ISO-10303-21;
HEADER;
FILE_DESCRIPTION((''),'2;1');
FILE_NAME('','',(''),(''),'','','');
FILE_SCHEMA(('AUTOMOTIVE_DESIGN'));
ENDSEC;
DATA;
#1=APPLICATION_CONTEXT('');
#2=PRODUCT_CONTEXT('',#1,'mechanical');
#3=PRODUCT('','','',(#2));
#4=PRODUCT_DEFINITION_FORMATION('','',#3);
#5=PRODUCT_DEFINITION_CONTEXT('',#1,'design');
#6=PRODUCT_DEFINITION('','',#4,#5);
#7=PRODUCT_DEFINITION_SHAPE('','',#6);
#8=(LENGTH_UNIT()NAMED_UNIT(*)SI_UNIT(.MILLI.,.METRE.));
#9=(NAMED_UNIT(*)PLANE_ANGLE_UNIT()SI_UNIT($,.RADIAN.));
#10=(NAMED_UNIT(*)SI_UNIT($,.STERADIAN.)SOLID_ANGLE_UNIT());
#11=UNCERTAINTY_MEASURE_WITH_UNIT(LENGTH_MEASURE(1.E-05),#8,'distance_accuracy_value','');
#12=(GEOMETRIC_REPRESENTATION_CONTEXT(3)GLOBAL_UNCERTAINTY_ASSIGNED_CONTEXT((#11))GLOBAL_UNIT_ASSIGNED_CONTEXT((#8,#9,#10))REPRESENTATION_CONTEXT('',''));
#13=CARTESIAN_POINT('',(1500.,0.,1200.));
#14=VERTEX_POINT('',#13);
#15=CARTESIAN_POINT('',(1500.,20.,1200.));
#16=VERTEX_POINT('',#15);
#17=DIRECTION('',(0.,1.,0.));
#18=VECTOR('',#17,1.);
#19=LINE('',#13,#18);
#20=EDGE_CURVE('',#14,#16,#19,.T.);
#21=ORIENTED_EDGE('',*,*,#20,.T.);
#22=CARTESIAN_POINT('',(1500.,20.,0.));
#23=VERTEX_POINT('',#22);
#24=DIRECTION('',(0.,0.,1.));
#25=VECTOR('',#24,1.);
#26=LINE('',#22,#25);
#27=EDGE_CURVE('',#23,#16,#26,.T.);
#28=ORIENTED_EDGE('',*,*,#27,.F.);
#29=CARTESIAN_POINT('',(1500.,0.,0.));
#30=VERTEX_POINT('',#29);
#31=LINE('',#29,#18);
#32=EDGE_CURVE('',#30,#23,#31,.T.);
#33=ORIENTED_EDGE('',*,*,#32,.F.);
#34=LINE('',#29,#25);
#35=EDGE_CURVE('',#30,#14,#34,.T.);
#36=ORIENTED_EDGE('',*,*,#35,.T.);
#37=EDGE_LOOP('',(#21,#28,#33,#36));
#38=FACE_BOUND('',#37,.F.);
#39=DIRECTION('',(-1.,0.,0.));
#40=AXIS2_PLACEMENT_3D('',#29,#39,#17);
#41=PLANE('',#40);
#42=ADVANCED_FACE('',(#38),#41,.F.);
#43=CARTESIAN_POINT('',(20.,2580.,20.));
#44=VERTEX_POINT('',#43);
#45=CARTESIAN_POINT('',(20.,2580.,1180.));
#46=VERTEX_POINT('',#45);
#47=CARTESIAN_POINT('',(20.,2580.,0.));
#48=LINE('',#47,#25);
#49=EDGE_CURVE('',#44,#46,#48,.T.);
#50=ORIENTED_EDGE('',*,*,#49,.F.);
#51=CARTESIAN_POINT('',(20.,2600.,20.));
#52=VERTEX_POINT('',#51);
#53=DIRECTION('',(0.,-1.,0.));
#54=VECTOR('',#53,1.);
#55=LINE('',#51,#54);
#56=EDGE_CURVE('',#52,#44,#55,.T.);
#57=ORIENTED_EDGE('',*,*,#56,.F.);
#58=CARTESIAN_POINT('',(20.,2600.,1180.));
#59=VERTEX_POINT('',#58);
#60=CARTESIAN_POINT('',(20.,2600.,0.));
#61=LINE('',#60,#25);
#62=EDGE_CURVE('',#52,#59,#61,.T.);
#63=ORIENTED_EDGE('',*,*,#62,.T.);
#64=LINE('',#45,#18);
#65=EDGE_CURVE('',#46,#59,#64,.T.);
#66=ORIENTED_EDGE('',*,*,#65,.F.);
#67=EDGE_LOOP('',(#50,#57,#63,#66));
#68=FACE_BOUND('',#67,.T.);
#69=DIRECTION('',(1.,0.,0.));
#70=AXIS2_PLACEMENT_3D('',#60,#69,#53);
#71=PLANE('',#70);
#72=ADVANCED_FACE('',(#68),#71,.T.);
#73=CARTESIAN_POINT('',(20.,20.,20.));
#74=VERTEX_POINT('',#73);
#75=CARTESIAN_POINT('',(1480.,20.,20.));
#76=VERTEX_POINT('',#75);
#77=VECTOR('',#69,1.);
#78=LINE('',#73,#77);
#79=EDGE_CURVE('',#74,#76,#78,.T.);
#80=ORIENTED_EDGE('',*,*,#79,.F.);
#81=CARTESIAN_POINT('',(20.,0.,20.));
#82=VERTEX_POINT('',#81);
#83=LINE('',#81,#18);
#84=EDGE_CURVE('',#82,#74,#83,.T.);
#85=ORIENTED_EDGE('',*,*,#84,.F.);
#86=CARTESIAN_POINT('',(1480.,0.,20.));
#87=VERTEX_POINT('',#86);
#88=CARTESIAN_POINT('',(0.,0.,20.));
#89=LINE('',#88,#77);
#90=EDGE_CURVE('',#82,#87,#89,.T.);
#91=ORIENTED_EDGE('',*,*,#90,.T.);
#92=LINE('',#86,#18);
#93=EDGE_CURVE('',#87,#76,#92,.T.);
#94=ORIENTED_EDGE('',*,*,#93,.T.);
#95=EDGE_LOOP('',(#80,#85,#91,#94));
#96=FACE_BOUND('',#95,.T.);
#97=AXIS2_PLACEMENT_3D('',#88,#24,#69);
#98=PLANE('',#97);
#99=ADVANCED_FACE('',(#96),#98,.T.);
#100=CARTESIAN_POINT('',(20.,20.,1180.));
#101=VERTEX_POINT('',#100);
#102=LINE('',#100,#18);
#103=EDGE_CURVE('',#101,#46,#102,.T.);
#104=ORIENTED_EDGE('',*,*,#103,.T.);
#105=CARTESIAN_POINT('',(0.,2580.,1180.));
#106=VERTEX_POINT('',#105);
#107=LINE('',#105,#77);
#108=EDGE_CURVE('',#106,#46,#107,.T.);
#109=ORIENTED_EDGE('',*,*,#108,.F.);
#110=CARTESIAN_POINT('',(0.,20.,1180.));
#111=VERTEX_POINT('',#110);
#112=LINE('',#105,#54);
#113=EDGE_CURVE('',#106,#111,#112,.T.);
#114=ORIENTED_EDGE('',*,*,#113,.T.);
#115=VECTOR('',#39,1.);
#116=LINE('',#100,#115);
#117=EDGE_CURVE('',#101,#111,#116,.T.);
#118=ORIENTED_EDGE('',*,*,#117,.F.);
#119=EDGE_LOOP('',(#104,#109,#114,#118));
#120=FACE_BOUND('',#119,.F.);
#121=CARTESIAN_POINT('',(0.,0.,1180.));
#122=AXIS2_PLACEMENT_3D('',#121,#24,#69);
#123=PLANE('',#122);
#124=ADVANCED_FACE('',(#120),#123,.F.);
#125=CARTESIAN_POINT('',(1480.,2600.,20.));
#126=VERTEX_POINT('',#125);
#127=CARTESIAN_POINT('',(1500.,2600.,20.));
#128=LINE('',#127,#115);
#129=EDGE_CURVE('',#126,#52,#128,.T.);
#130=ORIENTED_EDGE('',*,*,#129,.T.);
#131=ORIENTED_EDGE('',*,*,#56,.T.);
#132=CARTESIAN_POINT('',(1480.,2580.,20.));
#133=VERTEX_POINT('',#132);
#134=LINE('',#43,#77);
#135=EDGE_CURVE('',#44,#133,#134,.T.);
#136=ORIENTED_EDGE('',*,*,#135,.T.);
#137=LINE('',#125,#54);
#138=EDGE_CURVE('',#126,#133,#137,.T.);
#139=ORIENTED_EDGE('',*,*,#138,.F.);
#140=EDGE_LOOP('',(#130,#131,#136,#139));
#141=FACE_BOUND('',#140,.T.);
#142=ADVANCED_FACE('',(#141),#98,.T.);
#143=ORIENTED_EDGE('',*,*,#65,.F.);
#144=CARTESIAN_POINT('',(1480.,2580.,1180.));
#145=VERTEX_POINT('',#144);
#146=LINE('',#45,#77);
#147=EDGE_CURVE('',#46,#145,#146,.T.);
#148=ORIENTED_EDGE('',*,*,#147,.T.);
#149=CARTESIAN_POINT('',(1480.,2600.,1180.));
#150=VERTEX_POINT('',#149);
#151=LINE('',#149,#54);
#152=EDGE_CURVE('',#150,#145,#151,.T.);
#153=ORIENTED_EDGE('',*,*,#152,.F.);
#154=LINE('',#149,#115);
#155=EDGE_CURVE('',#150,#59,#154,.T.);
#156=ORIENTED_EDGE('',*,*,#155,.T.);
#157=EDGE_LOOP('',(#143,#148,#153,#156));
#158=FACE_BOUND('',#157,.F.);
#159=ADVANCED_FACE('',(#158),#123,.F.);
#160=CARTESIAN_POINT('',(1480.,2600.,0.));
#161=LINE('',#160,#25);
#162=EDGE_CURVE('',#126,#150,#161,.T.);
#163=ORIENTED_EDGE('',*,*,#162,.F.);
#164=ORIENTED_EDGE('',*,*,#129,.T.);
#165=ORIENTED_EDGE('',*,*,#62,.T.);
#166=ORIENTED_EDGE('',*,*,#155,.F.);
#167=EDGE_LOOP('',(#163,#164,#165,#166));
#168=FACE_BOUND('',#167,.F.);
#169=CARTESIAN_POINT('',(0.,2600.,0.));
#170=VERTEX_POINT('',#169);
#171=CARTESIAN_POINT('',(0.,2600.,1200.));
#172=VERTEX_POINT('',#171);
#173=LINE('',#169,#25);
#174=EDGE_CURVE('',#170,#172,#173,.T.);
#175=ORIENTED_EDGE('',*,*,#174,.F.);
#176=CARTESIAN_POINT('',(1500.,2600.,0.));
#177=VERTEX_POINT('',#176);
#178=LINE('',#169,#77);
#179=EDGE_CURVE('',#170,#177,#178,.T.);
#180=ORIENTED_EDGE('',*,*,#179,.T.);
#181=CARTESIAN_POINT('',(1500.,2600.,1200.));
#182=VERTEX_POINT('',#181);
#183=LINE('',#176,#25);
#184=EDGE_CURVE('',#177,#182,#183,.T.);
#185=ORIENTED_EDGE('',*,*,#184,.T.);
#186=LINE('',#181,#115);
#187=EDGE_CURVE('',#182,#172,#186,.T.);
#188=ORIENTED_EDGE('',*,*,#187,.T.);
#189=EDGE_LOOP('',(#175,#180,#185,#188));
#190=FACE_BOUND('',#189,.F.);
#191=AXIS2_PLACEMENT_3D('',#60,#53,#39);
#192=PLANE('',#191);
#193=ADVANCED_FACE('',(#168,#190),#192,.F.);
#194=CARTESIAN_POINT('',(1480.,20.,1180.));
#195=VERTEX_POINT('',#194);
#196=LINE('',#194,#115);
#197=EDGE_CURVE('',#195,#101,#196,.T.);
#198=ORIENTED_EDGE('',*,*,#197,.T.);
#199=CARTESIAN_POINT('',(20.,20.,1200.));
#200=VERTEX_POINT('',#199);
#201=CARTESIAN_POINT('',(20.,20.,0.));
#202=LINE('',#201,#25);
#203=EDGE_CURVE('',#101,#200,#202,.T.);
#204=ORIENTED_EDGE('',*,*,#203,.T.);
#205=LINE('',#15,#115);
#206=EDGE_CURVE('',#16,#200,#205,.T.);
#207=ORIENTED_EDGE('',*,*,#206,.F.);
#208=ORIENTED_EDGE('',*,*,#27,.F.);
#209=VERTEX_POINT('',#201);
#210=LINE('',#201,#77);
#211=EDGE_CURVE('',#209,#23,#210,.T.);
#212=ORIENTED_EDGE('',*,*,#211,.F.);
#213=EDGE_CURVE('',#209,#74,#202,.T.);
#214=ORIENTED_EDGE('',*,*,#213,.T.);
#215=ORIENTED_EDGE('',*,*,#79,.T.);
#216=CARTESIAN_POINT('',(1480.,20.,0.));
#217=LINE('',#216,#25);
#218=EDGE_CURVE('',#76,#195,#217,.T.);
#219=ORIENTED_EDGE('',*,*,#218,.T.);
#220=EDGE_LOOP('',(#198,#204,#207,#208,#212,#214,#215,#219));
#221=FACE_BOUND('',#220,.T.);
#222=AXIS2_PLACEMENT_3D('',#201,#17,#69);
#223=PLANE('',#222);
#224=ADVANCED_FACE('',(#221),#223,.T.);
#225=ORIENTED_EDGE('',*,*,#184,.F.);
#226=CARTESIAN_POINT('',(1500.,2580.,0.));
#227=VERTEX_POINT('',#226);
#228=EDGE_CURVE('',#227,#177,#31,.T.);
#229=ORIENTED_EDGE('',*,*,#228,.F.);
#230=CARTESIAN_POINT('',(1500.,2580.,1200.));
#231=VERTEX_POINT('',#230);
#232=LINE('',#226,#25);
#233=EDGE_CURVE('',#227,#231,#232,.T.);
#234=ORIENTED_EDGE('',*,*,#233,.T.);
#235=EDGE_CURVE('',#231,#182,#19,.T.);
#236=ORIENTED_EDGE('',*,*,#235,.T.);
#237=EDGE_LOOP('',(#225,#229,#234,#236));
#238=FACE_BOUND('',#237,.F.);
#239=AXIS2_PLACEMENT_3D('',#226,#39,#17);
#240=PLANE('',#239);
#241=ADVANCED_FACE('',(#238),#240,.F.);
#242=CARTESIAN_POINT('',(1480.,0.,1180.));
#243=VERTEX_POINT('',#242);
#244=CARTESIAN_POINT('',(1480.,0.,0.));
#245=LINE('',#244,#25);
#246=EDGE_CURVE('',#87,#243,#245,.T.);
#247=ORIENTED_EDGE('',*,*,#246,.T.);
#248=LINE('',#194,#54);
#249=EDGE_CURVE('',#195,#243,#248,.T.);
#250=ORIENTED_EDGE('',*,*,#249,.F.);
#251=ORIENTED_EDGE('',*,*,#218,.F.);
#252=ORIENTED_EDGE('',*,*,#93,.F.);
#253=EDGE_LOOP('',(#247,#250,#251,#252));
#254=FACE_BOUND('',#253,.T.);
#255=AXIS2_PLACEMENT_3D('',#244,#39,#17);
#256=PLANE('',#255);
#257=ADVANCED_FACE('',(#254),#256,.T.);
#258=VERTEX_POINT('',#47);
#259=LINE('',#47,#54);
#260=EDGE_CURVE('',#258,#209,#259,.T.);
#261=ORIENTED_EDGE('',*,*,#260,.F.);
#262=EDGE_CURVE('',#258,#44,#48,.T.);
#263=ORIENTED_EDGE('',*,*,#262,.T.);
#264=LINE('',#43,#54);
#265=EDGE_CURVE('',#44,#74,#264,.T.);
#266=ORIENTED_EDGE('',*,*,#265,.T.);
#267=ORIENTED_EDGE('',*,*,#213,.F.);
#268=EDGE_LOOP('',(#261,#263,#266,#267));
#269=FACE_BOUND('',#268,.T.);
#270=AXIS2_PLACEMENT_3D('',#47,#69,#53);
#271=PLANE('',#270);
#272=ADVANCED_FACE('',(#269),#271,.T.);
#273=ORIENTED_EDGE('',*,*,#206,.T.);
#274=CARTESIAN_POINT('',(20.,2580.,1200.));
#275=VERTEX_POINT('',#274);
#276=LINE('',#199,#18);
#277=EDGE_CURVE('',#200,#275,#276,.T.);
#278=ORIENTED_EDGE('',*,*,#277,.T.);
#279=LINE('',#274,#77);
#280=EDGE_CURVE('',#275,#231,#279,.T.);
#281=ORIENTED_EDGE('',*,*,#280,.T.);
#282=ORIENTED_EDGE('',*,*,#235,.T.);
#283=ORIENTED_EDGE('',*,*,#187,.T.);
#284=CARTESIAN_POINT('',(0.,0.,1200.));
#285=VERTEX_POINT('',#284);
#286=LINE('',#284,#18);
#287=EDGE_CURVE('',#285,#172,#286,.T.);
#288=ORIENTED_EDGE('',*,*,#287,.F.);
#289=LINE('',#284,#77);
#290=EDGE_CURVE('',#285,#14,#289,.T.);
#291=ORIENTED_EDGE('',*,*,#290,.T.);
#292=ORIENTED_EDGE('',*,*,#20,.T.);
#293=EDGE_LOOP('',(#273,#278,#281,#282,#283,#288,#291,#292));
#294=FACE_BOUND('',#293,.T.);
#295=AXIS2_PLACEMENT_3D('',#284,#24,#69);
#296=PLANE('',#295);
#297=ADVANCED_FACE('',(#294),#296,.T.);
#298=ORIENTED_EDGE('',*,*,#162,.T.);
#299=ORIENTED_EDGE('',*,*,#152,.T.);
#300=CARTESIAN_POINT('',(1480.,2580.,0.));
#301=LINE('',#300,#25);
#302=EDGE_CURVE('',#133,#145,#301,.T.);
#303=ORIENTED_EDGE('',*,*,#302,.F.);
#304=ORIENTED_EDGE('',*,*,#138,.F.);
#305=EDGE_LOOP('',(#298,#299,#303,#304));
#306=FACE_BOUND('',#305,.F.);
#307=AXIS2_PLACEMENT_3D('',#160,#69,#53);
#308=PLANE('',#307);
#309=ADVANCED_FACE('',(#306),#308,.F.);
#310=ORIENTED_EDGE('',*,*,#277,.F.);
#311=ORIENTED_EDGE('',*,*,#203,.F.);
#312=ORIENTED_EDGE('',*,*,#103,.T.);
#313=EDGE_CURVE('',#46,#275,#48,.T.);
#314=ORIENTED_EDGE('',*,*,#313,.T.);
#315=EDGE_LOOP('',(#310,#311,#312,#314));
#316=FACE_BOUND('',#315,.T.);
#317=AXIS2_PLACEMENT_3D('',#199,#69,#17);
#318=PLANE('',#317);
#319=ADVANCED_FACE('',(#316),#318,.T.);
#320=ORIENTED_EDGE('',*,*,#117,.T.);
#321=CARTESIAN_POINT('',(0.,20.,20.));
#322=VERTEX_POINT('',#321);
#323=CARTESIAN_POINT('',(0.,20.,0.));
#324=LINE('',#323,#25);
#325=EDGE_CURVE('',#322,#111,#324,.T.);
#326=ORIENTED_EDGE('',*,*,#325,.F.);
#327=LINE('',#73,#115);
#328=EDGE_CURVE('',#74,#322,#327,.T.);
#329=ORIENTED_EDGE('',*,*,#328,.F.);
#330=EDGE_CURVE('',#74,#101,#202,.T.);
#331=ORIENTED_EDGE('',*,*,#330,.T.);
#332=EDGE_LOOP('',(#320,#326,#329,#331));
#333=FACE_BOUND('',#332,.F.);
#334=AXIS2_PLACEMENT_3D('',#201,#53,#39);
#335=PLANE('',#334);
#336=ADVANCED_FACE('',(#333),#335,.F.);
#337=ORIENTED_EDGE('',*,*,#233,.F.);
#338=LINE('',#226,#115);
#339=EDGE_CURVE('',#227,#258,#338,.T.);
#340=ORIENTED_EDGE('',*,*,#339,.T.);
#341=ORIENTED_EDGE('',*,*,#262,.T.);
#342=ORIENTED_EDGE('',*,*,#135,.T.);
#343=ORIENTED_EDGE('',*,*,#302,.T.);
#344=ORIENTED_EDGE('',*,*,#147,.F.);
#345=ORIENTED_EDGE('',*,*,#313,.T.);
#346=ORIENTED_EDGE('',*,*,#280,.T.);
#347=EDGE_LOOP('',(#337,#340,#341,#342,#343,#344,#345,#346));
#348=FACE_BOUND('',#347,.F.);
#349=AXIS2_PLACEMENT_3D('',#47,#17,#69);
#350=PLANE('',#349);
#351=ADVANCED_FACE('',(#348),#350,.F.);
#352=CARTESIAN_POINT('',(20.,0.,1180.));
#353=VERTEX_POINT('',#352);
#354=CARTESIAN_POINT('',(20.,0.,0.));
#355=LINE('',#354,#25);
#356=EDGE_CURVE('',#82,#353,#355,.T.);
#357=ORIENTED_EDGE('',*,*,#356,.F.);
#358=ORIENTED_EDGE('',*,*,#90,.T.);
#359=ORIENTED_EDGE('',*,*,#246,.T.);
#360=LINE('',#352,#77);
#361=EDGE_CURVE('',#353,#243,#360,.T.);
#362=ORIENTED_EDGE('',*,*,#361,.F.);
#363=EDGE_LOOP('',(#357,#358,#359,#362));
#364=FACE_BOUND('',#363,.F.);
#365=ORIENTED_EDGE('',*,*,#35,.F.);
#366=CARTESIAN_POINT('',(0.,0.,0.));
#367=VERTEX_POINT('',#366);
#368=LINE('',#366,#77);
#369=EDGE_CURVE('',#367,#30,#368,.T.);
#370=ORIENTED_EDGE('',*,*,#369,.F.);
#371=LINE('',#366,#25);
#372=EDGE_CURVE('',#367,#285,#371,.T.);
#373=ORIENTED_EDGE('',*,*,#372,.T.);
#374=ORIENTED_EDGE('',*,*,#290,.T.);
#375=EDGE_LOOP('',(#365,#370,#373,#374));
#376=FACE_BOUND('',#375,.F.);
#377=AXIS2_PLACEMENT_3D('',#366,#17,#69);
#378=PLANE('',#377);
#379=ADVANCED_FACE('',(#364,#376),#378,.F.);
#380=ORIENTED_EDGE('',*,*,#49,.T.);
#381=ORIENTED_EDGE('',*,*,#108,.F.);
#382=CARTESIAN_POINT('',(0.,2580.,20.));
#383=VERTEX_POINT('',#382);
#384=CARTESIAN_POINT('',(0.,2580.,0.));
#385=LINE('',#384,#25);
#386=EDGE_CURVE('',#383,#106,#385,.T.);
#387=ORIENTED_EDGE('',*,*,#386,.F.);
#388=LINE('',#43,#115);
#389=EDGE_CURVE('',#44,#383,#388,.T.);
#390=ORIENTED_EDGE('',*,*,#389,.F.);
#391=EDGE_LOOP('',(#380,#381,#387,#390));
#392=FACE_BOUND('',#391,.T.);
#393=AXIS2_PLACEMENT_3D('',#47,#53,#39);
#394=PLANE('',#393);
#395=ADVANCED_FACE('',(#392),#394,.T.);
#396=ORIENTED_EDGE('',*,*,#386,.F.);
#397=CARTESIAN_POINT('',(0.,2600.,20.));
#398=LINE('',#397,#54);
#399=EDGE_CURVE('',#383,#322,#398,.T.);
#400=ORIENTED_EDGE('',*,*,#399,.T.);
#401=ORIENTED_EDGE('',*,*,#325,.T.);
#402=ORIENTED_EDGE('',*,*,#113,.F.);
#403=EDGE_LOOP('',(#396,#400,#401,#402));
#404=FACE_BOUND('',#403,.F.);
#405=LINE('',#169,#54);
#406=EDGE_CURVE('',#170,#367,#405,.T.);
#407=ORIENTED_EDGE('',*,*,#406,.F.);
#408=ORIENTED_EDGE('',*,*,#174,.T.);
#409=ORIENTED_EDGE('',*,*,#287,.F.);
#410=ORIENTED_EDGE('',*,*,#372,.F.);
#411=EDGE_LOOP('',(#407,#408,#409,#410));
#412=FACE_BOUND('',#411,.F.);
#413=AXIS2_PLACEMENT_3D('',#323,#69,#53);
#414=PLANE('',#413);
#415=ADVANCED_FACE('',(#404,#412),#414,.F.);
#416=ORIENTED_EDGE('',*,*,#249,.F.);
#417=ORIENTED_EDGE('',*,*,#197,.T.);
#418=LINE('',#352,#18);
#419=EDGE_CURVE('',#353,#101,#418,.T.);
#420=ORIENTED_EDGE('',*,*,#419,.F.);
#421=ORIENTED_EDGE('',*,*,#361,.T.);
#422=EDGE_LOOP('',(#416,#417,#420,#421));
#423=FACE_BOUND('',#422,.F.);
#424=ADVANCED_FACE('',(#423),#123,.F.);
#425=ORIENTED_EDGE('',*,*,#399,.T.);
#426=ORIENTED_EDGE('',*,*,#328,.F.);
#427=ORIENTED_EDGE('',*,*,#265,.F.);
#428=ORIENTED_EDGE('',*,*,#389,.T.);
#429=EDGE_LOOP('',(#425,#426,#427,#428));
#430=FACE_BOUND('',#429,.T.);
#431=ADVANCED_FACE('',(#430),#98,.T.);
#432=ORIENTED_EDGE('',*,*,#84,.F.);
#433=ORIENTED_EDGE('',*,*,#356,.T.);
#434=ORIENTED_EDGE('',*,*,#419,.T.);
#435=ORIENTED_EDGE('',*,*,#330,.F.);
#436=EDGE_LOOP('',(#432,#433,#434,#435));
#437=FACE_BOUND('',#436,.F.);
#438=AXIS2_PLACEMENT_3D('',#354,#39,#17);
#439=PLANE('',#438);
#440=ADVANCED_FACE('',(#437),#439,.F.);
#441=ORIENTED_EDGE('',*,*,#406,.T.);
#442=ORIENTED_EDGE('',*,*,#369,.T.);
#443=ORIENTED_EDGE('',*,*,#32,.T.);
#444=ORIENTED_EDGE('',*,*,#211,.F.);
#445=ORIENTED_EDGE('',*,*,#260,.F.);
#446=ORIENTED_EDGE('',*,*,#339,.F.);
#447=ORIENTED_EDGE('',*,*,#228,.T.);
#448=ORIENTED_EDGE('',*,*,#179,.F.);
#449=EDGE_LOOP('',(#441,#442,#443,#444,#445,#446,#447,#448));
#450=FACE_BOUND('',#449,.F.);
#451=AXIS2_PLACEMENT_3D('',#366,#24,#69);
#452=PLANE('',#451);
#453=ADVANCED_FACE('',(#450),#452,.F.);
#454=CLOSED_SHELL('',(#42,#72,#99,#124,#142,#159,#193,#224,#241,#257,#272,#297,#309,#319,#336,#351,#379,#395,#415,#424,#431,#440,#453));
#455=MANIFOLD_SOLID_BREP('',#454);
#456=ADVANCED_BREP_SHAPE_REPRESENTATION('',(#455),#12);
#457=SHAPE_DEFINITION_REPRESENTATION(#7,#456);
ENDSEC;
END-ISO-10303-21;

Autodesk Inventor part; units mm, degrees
ref_plane "YZ Plane" through (0, 0, 0) normal (1, 0, 0) x (0, 1, 0)
ref_plane "XZ Plane" through (0, 0, 0) normal (0, 1, 0) x (-1, 0, 0)
ref_plane "XY Plane" through (0, 0, 0) normal (0, 0, 1) x (1, 0, 0)
sketch "Sketch1" plane through (0, 0, 0) normal (0, 0, 1) x (1, 0, 0)
  line L0 (0, 0) -> (1500, 0)
  line L1 (1500, 0) -> (1500, 2600)
  line L2 (1500, 2600) -> (0, 2600)
  line L3 (0, 2600) -> (0, 0)
  line L4 (0, 2600) -> (20, 2600)
  line L5 (20, 2600) -> (20, 2580)
  line L6 (20, 2580) -> (0, 2580)
  line L7 (0, 2580) -> (0, 2600)
  line L8 (1500, 2600) -> (1480, 2600)
  line L9 (1480, 2600) -> (1480, 2580)
  line L10 (1480, 2580) -> (1500, 2580)
  line L11 (1500, 2580) -> (1500, 2600)
  line L12 (1500, 0) -> (1480, 0)
  line L13 (1480, 0) -> (1480, 20)
  line L14 (1480, 20) -> (1500, 20)
  line L15 (1500, 20) -> (1500, 0)
  line L16 (0, 0) -> (20, 0)
  line L17 (20, 0) -> (20, 20)
  line L18 (20, 20) -> (0, 20)
  line L19 (0, 20) -> (0, 0)
  line L20 (20, 2580) -> (1480, 2580)
  line L21 (20, 2580) -> (20, 20)
  line L22 (20, 20) -> (1480, 20)
  line L23 (1480, 20) -> (1480, 2580)
  point P0 (1500, 2580)
  point P1 (1480, 2600)
  point P2 (1500, 20)
  point P3 (1480, 0)
  point P4 (0, 2580)
  point P5 (20, 2600)
  dimension "d0" = 1500
  dimension "d1" = 2600
  dimension "d2" = 20
  dimension "d3" = 20
  dimension "d4" = 20
  dimension "d5" = 20
  dimension "d6" = 20
  dimension "d7" = 20
  dimension "d8" = 20
  dimension "d9" = 20
extrude "Extrusion1" add sketch "Sketch1" along normal blind 1200 contours L3 L18 L17 L0 | L13 L14 L1 L0 | L3 L2 L5 L6 | L9 L2 L1 L10
extrude "Extrusion2" add sketch "Sketch1" along normal blind 20 contours L17 L22 L13 L0 | L3 L6 L21 L18 | L5 L2 L9 L20
sketch "Sketch2" plane through (0, 0, 1200) normal (0, 0, 1) x (1, 0, 0)
  line L0 (0, 20) -> (0, 0) projected
  line L1 (0, 0) -> (20, 0) projected
  line L2 (20, 0) -> (20, 20) projected
  line L3 (20, 20) -> (0, 20) projected
  line L4 (20, 2580) -> (20, 2600) projected
  line L5 (20, 2600) -> (0, 2600) projected
  line L6 (0, 2600) -> (0, 2580) projected
  line L7 (0, 2580) -> (20, 2580) projected
  line L8 (1480, 20) -> (1480, 0) projected
  line L9 (1480, 0) -> (1500, 0) projected
  line L10 (1500, 0) -> (1500, 20) projected
  line L11 (1500, 20) -> (1480, 20) projected
  line L12 (1500, 2580) -> (1500, 2600) projected
  line L13 (1500, 2600) -> (1480, 2600) projected
  line L14 (1480, 2600) -> (1480, 2580) projected
  line L15 (1480, 2580) -> (1500, 2580) projected
  line L16 (20, 0) -> (20, 20) projected
  line L17 (1480, 20) -> (1480, 0) projected
  line L18 (1480, 20) -> (20, 20)
  line L19 (1480, 2600) -> (1480, 2580) projected
  line L20 (1480, 2600) -> (20, 2600) projected
  line L21 (20, 2580) -> (20, 2600) projected
  line L22 (20, 2580) -> (1480, 2580) projected
  line L23 (1480, 20) -> (20, 20) projected
  line L24 (20, 2580) -> (1480, 2580) projected
  line L25 (0, 2580) -> (20, 2580) projected
  line L26 (0, 2580) -> (0, 20) projected
  line L27 (20, 20) -> (0, 20) projected
  line L28 (20, 20) -> (20, 2580) projected
  line L29 (20, 0) -> (20, 20) projected
  line L30 (1480, 20) -> (1480, 0) projected
  line L31 (1480, 2600) -> (1480, 2580) projected
  line L32 (1480, 2600) -> (20, 2600) projected
  line L33 (20, 2580) -> (20, 2600) projected
  line L34 (20, 0) -> (1480, 0)
  line L35 (0, 0) -> (1500, 0) projected
extrude "Extrusion3" add sketch "Sketch2" against normal blind 20 contours L26 L7 L28 L3 | L18 L8 L34 L2 | L4 L20 L14 L22
equation "\"d0\" = comprimento"
equation "\"d1\" = largura"
equation "\"comprimento\" = 1500"
equation "\"largura\" = 2600"
properties part number "estrutura"
